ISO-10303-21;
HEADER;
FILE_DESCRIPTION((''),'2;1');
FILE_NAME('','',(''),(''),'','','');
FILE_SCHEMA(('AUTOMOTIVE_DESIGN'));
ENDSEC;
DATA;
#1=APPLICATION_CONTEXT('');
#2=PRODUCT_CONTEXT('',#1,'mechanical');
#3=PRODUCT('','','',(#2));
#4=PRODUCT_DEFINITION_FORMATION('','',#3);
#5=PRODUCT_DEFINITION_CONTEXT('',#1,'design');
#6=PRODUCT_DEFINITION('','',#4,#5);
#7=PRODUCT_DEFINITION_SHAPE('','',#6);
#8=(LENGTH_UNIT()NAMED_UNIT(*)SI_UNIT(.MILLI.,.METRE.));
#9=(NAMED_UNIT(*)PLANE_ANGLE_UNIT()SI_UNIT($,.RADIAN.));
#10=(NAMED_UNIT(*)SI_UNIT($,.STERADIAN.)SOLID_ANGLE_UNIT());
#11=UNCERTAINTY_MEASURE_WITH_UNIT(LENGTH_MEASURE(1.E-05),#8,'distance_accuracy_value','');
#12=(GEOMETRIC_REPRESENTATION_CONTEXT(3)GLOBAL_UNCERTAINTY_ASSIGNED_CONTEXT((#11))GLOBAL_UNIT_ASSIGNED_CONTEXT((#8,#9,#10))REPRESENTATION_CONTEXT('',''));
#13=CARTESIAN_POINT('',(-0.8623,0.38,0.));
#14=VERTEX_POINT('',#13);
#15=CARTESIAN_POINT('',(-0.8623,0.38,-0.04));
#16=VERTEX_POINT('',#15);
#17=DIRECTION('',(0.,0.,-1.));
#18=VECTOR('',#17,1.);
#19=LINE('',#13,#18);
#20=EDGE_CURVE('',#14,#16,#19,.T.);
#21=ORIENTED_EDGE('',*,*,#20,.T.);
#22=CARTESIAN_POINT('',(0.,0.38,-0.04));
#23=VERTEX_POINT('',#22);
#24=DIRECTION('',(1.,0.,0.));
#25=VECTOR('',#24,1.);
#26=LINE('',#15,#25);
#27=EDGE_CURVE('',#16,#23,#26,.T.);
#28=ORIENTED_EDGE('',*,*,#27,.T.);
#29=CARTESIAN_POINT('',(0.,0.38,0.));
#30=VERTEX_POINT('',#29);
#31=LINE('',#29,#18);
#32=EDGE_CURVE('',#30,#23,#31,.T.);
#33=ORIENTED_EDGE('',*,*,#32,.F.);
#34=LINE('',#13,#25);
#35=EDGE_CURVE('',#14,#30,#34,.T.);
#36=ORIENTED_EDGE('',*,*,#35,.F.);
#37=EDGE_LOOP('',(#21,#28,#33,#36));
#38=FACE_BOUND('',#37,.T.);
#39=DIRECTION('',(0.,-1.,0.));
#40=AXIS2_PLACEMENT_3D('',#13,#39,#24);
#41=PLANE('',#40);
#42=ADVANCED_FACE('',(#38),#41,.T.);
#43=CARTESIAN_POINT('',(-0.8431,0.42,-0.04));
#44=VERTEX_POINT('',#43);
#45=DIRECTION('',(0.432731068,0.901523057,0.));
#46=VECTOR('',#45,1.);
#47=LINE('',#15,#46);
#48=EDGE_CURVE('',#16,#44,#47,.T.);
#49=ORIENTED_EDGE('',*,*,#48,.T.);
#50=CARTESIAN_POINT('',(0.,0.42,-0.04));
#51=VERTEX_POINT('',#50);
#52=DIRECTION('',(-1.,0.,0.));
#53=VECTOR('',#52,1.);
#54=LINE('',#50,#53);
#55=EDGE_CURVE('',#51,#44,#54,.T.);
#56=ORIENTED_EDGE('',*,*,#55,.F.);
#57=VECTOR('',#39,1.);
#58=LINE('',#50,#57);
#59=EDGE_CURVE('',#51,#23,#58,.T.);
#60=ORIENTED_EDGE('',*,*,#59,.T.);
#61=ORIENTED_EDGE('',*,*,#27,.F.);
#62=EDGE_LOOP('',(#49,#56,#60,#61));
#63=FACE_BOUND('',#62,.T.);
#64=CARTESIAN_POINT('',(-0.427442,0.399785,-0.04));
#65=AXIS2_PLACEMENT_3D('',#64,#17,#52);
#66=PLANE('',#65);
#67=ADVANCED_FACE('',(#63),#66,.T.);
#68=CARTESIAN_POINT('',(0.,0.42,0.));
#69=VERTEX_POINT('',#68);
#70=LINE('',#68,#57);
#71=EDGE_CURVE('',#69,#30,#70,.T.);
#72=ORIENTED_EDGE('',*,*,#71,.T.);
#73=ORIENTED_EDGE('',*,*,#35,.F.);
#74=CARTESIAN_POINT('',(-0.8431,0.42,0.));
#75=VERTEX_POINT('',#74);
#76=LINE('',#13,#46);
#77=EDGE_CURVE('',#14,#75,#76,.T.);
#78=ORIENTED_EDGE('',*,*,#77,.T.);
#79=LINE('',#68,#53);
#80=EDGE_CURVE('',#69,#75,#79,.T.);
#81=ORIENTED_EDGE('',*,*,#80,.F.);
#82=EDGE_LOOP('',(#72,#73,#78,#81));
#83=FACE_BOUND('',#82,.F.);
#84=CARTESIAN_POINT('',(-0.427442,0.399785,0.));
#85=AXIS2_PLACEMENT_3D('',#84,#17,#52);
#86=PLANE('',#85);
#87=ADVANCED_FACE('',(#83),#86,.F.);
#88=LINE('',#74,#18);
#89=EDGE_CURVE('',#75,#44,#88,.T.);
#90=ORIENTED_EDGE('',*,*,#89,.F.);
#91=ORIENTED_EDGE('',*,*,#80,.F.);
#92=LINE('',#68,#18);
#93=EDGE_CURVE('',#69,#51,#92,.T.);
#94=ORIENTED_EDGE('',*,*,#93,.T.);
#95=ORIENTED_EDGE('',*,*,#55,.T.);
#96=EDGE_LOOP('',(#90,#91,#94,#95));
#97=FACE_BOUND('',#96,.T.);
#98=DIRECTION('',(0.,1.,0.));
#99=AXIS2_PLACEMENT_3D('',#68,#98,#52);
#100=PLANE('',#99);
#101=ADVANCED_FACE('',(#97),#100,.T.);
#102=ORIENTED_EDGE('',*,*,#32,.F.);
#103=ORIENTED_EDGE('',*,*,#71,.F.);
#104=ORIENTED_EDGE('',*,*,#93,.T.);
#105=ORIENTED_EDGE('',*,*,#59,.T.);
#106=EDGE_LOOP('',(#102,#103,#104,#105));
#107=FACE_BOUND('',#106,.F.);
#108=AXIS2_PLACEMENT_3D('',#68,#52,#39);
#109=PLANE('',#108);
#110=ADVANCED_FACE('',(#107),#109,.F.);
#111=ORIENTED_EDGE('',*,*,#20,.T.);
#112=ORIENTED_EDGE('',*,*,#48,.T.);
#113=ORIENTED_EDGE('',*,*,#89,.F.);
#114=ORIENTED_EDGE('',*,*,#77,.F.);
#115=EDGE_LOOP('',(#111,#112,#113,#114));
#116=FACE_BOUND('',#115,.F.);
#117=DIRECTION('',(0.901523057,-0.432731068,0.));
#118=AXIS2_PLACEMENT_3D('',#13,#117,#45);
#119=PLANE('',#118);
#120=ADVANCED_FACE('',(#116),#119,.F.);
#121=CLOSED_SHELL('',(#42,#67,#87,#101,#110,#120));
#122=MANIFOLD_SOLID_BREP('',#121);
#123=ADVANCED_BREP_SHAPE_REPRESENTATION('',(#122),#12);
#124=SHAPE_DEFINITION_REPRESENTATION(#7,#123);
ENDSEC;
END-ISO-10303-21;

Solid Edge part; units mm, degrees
sketch "Sketch1" plane through (0, 0, 0) normal (0, 0, 1) x (1, 0, 0)
  line L0 (0, 0.42) -> (0, 0.38)
  line L1 (-0.8623, 0.38) -> (0, 0.38)
  line L2 (-0.8623, 0.38) -> (-0.8431, 0.42)
  line L3 (0, 0.42) -> (-0.8431, 0.42)
  dimension "D1" = 0.04
  dimension "D2" = 0.4
extrude "Protrusion1" add sketch "Sketch1" against normal blind 0.04
